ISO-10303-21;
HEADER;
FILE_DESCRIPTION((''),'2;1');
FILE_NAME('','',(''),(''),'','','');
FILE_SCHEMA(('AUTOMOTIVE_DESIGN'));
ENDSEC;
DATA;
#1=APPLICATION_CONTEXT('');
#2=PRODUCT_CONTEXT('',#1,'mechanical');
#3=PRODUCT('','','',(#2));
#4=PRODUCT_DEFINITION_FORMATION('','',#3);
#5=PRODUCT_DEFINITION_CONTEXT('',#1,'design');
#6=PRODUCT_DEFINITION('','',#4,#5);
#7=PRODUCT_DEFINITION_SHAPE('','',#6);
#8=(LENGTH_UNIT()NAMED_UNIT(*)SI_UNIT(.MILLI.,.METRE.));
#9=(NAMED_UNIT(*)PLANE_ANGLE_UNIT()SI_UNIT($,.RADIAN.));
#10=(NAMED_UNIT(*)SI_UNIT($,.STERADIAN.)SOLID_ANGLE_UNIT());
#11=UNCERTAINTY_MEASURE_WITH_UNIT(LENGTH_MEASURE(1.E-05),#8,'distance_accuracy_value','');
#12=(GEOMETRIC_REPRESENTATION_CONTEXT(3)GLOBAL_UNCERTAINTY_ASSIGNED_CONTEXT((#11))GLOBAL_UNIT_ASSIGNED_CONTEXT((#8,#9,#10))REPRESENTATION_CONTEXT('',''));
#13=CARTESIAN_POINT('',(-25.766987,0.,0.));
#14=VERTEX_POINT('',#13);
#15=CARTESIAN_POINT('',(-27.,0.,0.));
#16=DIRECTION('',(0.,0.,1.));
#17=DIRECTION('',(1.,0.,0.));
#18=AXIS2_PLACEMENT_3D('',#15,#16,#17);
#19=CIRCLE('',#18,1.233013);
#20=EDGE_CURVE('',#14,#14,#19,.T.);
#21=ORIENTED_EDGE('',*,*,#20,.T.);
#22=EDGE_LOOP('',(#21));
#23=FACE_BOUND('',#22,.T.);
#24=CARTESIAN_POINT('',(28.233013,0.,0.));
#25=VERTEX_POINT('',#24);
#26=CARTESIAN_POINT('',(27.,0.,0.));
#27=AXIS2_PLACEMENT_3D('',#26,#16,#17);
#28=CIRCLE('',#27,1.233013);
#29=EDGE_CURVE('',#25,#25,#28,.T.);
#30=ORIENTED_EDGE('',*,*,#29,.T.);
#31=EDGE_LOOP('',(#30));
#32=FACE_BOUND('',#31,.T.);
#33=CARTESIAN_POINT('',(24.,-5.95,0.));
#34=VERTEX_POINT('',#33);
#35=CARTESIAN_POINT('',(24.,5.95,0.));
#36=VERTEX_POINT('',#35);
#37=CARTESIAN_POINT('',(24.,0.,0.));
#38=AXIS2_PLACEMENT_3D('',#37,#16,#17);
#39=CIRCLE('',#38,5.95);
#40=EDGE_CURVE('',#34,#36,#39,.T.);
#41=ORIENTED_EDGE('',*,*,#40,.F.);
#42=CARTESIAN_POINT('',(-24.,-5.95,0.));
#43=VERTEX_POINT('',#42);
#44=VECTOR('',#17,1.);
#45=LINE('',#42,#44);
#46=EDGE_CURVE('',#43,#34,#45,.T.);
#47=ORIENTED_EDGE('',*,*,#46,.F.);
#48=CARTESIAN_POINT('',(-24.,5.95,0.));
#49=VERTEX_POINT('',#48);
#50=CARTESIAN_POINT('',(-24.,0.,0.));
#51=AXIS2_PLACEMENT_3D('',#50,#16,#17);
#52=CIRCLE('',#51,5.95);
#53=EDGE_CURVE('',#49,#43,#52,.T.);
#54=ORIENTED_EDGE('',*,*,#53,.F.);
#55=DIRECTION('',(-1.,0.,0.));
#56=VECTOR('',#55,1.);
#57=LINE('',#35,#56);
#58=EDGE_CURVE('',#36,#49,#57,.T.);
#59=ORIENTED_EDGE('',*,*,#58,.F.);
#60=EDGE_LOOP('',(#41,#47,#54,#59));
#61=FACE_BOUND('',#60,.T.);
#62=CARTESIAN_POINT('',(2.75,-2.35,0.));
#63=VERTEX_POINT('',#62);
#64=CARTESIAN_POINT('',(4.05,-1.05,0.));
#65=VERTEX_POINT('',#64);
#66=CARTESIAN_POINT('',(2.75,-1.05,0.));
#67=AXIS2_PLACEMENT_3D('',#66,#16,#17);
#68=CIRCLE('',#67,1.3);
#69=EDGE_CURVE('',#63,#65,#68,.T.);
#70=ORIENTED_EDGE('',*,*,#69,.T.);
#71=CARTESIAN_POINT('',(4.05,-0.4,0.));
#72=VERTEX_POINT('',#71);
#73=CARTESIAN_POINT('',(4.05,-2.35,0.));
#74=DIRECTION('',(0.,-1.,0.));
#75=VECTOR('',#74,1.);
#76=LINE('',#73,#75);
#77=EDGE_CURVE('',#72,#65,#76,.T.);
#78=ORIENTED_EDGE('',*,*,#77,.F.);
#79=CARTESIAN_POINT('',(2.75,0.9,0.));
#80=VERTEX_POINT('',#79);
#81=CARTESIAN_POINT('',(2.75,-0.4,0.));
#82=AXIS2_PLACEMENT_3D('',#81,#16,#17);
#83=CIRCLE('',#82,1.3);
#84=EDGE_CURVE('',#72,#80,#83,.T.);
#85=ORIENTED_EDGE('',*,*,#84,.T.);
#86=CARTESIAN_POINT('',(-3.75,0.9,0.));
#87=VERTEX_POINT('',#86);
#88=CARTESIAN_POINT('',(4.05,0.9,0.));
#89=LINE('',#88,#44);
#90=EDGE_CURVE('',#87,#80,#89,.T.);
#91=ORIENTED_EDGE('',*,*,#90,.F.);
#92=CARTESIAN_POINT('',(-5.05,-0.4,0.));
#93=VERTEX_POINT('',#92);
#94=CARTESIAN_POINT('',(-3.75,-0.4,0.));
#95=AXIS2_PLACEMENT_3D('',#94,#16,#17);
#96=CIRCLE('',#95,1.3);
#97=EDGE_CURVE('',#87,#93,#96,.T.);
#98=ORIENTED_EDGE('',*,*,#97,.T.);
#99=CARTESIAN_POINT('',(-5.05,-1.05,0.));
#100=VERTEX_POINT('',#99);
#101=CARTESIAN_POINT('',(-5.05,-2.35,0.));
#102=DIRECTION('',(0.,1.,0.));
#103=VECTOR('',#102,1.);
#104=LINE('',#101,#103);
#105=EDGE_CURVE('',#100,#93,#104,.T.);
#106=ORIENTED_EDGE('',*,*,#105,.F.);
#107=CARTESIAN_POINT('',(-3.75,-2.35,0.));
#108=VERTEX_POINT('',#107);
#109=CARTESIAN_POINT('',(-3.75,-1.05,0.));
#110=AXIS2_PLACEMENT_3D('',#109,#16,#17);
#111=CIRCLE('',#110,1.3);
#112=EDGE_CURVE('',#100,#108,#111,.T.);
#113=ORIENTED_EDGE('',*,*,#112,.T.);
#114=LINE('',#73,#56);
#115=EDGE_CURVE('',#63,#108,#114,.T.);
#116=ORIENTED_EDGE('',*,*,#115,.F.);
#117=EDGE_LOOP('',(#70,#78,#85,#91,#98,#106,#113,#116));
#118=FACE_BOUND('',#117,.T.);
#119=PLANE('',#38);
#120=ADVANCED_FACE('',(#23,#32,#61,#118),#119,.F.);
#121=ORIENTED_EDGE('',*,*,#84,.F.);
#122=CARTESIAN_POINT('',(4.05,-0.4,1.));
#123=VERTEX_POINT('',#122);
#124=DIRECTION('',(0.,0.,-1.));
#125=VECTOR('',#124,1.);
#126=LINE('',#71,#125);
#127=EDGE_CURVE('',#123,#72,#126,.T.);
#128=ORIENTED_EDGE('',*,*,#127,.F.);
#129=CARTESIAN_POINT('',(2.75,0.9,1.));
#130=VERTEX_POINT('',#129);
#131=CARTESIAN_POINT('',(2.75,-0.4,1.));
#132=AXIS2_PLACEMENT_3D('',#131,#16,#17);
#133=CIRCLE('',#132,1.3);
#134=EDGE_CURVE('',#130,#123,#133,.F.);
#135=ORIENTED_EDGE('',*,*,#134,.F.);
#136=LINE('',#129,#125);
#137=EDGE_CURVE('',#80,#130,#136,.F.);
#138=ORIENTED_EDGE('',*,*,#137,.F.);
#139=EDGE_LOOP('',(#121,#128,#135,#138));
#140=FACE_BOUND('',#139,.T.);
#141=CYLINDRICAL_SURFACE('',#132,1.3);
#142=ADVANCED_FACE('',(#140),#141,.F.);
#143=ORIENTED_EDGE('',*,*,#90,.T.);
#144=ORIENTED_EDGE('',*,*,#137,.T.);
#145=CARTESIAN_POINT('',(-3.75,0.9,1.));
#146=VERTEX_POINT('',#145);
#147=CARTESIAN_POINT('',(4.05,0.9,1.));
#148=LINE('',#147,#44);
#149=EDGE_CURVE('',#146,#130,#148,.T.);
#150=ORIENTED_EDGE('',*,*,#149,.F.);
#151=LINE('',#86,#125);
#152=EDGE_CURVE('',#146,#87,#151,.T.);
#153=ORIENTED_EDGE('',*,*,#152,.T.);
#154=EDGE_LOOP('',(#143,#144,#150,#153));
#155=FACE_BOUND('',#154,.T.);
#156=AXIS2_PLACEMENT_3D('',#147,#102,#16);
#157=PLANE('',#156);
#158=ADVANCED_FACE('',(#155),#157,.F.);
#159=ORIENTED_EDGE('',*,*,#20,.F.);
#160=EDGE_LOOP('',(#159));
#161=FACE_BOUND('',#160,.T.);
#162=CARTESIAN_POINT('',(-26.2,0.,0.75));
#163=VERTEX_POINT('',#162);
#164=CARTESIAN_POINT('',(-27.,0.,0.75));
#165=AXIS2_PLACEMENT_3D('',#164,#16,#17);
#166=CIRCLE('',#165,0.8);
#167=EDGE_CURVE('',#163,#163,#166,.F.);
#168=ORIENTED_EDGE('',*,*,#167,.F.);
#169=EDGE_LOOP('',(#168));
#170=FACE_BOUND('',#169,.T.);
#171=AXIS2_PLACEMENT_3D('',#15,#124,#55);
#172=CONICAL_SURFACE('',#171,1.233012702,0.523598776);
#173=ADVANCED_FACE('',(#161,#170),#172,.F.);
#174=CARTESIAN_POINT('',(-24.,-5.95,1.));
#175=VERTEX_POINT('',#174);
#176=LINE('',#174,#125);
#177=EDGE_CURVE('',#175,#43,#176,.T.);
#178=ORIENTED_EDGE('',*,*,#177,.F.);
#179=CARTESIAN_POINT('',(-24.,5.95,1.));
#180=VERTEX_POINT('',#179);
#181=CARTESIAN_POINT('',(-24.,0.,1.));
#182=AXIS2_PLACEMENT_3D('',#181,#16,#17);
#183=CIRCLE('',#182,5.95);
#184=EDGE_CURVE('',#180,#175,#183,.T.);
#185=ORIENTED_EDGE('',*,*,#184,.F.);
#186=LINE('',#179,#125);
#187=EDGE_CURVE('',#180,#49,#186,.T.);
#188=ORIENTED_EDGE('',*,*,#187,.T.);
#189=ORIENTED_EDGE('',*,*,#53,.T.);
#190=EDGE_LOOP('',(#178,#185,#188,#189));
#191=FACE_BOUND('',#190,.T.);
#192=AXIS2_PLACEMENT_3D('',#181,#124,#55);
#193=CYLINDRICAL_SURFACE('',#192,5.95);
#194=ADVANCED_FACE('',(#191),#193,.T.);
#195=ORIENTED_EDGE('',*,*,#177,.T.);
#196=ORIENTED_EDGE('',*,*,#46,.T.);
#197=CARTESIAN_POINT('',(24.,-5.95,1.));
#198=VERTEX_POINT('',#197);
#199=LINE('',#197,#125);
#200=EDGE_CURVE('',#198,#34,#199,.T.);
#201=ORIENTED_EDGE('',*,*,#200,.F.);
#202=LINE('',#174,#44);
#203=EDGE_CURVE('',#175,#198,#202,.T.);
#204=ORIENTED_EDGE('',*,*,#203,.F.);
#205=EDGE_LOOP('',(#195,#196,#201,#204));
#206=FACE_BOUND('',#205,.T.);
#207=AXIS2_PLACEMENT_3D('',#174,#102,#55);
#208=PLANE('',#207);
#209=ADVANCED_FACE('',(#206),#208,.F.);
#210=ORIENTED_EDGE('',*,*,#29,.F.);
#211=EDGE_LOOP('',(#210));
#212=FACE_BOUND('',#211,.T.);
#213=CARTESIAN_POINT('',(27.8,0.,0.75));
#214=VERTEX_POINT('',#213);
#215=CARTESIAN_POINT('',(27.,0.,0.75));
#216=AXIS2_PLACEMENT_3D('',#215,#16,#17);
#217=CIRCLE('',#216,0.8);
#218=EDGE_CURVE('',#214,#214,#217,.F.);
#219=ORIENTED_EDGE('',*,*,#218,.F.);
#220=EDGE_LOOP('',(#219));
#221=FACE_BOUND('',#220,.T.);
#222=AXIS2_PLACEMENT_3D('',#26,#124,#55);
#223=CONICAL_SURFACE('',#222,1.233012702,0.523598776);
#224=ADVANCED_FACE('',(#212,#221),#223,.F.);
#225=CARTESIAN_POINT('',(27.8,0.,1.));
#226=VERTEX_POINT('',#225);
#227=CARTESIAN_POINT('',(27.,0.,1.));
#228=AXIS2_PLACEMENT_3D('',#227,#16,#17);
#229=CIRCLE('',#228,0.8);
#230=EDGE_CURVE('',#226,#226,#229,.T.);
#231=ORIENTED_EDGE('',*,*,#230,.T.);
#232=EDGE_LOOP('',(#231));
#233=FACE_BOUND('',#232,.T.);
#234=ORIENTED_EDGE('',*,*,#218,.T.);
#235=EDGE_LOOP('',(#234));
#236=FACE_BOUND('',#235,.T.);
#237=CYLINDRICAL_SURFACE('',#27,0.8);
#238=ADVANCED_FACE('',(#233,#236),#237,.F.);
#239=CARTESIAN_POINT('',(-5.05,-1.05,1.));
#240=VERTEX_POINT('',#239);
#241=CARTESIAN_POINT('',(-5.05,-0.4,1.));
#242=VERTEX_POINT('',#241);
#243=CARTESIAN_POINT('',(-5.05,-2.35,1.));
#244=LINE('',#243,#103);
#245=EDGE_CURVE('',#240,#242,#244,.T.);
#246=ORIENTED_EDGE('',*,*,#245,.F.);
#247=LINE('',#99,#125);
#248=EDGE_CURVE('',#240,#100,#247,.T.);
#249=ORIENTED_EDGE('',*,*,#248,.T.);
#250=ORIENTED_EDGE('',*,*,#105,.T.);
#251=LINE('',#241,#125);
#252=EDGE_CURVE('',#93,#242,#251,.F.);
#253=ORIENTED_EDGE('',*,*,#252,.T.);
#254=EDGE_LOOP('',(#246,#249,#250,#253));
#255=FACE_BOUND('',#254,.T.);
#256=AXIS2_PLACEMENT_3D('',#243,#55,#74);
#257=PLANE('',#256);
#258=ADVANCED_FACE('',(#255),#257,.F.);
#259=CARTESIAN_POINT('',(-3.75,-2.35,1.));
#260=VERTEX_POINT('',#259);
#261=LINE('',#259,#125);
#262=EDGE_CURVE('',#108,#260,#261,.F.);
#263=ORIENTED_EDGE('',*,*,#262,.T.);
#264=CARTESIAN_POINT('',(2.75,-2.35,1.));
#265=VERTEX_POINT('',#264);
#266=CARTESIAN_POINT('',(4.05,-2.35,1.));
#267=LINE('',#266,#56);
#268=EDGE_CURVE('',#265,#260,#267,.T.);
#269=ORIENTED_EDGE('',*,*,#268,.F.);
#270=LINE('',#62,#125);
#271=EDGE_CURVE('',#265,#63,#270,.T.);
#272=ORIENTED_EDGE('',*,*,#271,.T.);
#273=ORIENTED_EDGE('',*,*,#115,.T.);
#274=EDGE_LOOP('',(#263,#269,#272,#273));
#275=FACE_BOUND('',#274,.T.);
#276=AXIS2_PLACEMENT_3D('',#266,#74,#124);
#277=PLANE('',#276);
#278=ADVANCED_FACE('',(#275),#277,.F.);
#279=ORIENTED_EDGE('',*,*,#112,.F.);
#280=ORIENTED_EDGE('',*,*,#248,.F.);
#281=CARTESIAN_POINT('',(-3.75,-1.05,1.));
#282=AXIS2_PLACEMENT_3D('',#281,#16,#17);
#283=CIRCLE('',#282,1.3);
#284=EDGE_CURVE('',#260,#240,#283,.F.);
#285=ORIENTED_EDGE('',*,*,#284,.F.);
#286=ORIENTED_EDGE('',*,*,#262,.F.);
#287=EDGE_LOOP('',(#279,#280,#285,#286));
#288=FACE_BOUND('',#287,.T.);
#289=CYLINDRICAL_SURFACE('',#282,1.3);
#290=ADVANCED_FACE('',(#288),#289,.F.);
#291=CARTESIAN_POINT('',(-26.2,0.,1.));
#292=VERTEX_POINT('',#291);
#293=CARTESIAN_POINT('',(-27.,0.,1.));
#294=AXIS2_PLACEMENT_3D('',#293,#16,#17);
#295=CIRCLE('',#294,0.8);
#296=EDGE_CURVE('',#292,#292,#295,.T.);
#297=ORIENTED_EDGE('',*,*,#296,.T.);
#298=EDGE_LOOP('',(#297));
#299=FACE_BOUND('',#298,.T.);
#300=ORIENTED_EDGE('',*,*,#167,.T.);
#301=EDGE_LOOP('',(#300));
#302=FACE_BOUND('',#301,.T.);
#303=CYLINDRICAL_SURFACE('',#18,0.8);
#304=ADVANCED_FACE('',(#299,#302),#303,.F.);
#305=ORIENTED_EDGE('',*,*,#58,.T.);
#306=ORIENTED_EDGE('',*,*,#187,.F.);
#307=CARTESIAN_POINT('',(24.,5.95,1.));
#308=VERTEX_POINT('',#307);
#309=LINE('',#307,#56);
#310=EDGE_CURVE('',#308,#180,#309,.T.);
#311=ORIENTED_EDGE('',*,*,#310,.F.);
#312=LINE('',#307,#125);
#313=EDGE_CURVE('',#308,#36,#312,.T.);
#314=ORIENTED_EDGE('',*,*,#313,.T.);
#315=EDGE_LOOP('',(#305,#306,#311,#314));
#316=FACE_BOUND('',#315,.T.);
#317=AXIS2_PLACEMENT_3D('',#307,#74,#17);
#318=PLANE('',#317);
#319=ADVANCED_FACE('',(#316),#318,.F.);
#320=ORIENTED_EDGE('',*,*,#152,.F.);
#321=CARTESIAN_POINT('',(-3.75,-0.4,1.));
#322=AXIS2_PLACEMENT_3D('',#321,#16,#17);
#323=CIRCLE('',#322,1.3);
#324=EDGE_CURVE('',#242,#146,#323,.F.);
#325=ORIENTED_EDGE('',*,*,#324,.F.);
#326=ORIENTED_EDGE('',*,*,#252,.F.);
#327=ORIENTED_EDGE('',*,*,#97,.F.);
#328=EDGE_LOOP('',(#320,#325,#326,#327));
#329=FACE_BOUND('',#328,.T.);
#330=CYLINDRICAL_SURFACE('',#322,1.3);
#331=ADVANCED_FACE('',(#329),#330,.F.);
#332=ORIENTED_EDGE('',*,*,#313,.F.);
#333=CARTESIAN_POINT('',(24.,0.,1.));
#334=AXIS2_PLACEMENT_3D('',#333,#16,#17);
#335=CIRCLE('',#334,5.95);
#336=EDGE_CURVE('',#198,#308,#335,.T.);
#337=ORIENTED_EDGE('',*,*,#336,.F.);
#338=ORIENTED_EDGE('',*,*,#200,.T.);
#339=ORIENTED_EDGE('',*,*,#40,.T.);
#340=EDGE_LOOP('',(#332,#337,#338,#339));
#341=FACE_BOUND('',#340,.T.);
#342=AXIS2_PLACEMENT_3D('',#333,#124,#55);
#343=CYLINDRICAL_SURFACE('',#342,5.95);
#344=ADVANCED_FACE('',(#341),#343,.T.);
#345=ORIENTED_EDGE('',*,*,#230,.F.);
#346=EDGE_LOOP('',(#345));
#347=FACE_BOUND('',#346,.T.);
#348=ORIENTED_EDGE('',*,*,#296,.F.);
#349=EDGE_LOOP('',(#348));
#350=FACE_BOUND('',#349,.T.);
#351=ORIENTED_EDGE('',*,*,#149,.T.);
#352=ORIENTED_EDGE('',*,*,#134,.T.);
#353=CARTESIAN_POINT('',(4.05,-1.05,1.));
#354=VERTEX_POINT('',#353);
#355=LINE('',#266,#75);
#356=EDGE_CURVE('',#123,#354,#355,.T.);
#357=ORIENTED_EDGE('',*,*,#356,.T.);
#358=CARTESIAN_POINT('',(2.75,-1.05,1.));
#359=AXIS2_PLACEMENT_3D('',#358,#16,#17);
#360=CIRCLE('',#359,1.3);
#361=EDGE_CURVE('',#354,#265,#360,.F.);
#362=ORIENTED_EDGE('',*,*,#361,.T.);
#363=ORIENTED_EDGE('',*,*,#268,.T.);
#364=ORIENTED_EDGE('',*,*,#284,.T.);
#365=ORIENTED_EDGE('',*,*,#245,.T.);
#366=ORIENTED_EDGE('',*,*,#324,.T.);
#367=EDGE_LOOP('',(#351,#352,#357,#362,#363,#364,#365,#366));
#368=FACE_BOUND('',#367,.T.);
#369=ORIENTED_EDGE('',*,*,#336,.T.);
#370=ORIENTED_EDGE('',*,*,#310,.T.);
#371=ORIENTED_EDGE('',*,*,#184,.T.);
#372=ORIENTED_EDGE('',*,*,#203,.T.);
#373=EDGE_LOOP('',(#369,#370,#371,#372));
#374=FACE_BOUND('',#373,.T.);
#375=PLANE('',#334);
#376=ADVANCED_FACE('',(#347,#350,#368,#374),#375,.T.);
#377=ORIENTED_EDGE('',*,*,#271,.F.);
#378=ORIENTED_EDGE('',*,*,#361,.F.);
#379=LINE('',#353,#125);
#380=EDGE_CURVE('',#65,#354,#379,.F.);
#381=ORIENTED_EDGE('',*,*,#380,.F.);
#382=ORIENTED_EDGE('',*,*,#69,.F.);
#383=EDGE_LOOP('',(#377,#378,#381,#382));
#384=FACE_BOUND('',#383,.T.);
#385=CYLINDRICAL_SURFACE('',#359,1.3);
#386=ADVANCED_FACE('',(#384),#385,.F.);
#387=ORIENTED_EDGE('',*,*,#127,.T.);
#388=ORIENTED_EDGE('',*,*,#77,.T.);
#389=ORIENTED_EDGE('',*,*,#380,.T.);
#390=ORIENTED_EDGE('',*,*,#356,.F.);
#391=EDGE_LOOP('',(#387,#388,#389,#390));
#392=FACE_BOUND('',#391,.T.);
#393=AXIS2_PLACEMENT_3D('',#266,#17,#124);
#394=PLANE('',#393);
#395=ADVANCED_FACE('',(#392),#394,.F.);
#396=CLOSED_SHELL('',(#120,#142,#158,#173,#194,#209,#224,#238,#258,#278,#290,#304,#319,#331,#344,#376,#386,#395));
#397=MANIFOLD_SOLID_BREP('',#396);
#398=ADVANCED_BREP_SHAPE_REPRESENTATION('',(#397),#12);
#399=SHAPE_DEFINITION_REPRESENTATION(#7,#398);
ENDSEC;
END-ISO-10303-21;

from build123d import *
from OCP.BRepFilletAPI import BRepFilletAPI_MakeChamfer

# Parameters (mm, degrees)
BOSS_EXTRUDE2_DEPTH = 1
SKETCH4_R           = 0.8
CUT_EXTRUDE1_DEPTH  = 31.551677532
SKETCH5_W           = 9.1
SKETCH5_H           = 3.25
CUT_EXTRUDE2_DEPTH  = 31.551677532
FILLET1_R           = 1.3
CHAMFER1_SIZE       = 0.75
CHAMFER1_SIZE2      = 0.433012702


with BuildPart() as part:
    # Sketch3 → Boss-Extrude2 (new body)
    with BuildSketch(Plane.XY):
        with BuildLine():
            Line((24, 5.95), (-24, 5.95))
            ThreePointArc((-24, 5.95), (-29.95, 0), (-24, -5.95))
            Line((-24, -5.95), (24, -5.95))
            ThreePointArc((24, -5.95), (29.95, 0), (24, 5.95))
        make_face()
    extrude(amount=BOSS_EXTRUDE2_DEPTH)

    # Sketch4 → Cut-Extrude1 (cut, through all)
    with BuildSketch(Plane.XY.offset(1)):
        with Locations((-27, 0)):
            Circle(SKETCH4_R)
        with Locations((27, 0)):
            Circle(SKETCH4_R)
    extrude(amount=-CUT_EXTRUDE1_DEPTH, mode=Mode.SUBTRACT)

    # Sketch5 → Cut-Extrude2 (cut, through all)
    with BuildSketch(Plane(origin=(0, 0, 0), x_dir=(-1, 0, 0), z_dir=(0, 0, -1))):
        with Locations((0.5, -0.725)):
            Rectangle(SKETCH5_W, SKETCH5_H)
    extrude(amount=-CUT_EXTRUDE2_DEPTH, mode=Mode.SUBTRACT)

    # Fillet1
    fillet1_edges = [part.edges().sort_by_distance(p)[0] for p in [
        (4.05, -2.35, 0.5),
        (4.05, 0.9, 0.5),
        (-5.05, 0.9, 0.5),
        (-5.05, -2.35, 0.5),
    ]]
    fillet(fillet1_edges, radius=FILLET1_R)

    # Chamfer1: one chamfer whose edges measure the first distance from different faces: ONE call of the kernel's chamfer builder (chamfer() names one face for all edges)
    chamfer1_edges_1 = [part.edges().sort_by_distance(p)[0] for p in [
        (-27.8, 0, 0),
    ]]
    chamfer1_side_1 = [part.faces().sort_by_distance(p)[0] for p in [
        (-27.8, 0, 0.5),
    ]]
    chamfer1_edges_2 = [part.edges().sort_by_distance(p)[0] for p in [
        (26.2, 0, 0),
    ]]
    chamfer1_side_2 = [part.faces().sort_by_distance(p)[0] for p in [
        (26.2, 0, 0.5),
    ]]
    chamfer1 = BRepFilletAPI_MakeChamfer(part.part.solid().wrapped)
    for e in chamfer1_edges_1:
        chamfer1.Add(CHAMFER1_SIZE, CHAMFER1_SIZE2, e.wrapped, chamfer1_side_1[0].wrapped)  # the first distance lies on this face
    for e in chamfer1_edges_2:
        chamfer1.Add(CHAMFER1_SIZE, CHAMFER1_SIZE2, e.wrapped, chamfer1_side_2[0].wrapped)  # the first distance lies on this face
    add(Compound.cast(chamfer1.Shape()), mode=Mode.REPLACE)


solid = part.part
